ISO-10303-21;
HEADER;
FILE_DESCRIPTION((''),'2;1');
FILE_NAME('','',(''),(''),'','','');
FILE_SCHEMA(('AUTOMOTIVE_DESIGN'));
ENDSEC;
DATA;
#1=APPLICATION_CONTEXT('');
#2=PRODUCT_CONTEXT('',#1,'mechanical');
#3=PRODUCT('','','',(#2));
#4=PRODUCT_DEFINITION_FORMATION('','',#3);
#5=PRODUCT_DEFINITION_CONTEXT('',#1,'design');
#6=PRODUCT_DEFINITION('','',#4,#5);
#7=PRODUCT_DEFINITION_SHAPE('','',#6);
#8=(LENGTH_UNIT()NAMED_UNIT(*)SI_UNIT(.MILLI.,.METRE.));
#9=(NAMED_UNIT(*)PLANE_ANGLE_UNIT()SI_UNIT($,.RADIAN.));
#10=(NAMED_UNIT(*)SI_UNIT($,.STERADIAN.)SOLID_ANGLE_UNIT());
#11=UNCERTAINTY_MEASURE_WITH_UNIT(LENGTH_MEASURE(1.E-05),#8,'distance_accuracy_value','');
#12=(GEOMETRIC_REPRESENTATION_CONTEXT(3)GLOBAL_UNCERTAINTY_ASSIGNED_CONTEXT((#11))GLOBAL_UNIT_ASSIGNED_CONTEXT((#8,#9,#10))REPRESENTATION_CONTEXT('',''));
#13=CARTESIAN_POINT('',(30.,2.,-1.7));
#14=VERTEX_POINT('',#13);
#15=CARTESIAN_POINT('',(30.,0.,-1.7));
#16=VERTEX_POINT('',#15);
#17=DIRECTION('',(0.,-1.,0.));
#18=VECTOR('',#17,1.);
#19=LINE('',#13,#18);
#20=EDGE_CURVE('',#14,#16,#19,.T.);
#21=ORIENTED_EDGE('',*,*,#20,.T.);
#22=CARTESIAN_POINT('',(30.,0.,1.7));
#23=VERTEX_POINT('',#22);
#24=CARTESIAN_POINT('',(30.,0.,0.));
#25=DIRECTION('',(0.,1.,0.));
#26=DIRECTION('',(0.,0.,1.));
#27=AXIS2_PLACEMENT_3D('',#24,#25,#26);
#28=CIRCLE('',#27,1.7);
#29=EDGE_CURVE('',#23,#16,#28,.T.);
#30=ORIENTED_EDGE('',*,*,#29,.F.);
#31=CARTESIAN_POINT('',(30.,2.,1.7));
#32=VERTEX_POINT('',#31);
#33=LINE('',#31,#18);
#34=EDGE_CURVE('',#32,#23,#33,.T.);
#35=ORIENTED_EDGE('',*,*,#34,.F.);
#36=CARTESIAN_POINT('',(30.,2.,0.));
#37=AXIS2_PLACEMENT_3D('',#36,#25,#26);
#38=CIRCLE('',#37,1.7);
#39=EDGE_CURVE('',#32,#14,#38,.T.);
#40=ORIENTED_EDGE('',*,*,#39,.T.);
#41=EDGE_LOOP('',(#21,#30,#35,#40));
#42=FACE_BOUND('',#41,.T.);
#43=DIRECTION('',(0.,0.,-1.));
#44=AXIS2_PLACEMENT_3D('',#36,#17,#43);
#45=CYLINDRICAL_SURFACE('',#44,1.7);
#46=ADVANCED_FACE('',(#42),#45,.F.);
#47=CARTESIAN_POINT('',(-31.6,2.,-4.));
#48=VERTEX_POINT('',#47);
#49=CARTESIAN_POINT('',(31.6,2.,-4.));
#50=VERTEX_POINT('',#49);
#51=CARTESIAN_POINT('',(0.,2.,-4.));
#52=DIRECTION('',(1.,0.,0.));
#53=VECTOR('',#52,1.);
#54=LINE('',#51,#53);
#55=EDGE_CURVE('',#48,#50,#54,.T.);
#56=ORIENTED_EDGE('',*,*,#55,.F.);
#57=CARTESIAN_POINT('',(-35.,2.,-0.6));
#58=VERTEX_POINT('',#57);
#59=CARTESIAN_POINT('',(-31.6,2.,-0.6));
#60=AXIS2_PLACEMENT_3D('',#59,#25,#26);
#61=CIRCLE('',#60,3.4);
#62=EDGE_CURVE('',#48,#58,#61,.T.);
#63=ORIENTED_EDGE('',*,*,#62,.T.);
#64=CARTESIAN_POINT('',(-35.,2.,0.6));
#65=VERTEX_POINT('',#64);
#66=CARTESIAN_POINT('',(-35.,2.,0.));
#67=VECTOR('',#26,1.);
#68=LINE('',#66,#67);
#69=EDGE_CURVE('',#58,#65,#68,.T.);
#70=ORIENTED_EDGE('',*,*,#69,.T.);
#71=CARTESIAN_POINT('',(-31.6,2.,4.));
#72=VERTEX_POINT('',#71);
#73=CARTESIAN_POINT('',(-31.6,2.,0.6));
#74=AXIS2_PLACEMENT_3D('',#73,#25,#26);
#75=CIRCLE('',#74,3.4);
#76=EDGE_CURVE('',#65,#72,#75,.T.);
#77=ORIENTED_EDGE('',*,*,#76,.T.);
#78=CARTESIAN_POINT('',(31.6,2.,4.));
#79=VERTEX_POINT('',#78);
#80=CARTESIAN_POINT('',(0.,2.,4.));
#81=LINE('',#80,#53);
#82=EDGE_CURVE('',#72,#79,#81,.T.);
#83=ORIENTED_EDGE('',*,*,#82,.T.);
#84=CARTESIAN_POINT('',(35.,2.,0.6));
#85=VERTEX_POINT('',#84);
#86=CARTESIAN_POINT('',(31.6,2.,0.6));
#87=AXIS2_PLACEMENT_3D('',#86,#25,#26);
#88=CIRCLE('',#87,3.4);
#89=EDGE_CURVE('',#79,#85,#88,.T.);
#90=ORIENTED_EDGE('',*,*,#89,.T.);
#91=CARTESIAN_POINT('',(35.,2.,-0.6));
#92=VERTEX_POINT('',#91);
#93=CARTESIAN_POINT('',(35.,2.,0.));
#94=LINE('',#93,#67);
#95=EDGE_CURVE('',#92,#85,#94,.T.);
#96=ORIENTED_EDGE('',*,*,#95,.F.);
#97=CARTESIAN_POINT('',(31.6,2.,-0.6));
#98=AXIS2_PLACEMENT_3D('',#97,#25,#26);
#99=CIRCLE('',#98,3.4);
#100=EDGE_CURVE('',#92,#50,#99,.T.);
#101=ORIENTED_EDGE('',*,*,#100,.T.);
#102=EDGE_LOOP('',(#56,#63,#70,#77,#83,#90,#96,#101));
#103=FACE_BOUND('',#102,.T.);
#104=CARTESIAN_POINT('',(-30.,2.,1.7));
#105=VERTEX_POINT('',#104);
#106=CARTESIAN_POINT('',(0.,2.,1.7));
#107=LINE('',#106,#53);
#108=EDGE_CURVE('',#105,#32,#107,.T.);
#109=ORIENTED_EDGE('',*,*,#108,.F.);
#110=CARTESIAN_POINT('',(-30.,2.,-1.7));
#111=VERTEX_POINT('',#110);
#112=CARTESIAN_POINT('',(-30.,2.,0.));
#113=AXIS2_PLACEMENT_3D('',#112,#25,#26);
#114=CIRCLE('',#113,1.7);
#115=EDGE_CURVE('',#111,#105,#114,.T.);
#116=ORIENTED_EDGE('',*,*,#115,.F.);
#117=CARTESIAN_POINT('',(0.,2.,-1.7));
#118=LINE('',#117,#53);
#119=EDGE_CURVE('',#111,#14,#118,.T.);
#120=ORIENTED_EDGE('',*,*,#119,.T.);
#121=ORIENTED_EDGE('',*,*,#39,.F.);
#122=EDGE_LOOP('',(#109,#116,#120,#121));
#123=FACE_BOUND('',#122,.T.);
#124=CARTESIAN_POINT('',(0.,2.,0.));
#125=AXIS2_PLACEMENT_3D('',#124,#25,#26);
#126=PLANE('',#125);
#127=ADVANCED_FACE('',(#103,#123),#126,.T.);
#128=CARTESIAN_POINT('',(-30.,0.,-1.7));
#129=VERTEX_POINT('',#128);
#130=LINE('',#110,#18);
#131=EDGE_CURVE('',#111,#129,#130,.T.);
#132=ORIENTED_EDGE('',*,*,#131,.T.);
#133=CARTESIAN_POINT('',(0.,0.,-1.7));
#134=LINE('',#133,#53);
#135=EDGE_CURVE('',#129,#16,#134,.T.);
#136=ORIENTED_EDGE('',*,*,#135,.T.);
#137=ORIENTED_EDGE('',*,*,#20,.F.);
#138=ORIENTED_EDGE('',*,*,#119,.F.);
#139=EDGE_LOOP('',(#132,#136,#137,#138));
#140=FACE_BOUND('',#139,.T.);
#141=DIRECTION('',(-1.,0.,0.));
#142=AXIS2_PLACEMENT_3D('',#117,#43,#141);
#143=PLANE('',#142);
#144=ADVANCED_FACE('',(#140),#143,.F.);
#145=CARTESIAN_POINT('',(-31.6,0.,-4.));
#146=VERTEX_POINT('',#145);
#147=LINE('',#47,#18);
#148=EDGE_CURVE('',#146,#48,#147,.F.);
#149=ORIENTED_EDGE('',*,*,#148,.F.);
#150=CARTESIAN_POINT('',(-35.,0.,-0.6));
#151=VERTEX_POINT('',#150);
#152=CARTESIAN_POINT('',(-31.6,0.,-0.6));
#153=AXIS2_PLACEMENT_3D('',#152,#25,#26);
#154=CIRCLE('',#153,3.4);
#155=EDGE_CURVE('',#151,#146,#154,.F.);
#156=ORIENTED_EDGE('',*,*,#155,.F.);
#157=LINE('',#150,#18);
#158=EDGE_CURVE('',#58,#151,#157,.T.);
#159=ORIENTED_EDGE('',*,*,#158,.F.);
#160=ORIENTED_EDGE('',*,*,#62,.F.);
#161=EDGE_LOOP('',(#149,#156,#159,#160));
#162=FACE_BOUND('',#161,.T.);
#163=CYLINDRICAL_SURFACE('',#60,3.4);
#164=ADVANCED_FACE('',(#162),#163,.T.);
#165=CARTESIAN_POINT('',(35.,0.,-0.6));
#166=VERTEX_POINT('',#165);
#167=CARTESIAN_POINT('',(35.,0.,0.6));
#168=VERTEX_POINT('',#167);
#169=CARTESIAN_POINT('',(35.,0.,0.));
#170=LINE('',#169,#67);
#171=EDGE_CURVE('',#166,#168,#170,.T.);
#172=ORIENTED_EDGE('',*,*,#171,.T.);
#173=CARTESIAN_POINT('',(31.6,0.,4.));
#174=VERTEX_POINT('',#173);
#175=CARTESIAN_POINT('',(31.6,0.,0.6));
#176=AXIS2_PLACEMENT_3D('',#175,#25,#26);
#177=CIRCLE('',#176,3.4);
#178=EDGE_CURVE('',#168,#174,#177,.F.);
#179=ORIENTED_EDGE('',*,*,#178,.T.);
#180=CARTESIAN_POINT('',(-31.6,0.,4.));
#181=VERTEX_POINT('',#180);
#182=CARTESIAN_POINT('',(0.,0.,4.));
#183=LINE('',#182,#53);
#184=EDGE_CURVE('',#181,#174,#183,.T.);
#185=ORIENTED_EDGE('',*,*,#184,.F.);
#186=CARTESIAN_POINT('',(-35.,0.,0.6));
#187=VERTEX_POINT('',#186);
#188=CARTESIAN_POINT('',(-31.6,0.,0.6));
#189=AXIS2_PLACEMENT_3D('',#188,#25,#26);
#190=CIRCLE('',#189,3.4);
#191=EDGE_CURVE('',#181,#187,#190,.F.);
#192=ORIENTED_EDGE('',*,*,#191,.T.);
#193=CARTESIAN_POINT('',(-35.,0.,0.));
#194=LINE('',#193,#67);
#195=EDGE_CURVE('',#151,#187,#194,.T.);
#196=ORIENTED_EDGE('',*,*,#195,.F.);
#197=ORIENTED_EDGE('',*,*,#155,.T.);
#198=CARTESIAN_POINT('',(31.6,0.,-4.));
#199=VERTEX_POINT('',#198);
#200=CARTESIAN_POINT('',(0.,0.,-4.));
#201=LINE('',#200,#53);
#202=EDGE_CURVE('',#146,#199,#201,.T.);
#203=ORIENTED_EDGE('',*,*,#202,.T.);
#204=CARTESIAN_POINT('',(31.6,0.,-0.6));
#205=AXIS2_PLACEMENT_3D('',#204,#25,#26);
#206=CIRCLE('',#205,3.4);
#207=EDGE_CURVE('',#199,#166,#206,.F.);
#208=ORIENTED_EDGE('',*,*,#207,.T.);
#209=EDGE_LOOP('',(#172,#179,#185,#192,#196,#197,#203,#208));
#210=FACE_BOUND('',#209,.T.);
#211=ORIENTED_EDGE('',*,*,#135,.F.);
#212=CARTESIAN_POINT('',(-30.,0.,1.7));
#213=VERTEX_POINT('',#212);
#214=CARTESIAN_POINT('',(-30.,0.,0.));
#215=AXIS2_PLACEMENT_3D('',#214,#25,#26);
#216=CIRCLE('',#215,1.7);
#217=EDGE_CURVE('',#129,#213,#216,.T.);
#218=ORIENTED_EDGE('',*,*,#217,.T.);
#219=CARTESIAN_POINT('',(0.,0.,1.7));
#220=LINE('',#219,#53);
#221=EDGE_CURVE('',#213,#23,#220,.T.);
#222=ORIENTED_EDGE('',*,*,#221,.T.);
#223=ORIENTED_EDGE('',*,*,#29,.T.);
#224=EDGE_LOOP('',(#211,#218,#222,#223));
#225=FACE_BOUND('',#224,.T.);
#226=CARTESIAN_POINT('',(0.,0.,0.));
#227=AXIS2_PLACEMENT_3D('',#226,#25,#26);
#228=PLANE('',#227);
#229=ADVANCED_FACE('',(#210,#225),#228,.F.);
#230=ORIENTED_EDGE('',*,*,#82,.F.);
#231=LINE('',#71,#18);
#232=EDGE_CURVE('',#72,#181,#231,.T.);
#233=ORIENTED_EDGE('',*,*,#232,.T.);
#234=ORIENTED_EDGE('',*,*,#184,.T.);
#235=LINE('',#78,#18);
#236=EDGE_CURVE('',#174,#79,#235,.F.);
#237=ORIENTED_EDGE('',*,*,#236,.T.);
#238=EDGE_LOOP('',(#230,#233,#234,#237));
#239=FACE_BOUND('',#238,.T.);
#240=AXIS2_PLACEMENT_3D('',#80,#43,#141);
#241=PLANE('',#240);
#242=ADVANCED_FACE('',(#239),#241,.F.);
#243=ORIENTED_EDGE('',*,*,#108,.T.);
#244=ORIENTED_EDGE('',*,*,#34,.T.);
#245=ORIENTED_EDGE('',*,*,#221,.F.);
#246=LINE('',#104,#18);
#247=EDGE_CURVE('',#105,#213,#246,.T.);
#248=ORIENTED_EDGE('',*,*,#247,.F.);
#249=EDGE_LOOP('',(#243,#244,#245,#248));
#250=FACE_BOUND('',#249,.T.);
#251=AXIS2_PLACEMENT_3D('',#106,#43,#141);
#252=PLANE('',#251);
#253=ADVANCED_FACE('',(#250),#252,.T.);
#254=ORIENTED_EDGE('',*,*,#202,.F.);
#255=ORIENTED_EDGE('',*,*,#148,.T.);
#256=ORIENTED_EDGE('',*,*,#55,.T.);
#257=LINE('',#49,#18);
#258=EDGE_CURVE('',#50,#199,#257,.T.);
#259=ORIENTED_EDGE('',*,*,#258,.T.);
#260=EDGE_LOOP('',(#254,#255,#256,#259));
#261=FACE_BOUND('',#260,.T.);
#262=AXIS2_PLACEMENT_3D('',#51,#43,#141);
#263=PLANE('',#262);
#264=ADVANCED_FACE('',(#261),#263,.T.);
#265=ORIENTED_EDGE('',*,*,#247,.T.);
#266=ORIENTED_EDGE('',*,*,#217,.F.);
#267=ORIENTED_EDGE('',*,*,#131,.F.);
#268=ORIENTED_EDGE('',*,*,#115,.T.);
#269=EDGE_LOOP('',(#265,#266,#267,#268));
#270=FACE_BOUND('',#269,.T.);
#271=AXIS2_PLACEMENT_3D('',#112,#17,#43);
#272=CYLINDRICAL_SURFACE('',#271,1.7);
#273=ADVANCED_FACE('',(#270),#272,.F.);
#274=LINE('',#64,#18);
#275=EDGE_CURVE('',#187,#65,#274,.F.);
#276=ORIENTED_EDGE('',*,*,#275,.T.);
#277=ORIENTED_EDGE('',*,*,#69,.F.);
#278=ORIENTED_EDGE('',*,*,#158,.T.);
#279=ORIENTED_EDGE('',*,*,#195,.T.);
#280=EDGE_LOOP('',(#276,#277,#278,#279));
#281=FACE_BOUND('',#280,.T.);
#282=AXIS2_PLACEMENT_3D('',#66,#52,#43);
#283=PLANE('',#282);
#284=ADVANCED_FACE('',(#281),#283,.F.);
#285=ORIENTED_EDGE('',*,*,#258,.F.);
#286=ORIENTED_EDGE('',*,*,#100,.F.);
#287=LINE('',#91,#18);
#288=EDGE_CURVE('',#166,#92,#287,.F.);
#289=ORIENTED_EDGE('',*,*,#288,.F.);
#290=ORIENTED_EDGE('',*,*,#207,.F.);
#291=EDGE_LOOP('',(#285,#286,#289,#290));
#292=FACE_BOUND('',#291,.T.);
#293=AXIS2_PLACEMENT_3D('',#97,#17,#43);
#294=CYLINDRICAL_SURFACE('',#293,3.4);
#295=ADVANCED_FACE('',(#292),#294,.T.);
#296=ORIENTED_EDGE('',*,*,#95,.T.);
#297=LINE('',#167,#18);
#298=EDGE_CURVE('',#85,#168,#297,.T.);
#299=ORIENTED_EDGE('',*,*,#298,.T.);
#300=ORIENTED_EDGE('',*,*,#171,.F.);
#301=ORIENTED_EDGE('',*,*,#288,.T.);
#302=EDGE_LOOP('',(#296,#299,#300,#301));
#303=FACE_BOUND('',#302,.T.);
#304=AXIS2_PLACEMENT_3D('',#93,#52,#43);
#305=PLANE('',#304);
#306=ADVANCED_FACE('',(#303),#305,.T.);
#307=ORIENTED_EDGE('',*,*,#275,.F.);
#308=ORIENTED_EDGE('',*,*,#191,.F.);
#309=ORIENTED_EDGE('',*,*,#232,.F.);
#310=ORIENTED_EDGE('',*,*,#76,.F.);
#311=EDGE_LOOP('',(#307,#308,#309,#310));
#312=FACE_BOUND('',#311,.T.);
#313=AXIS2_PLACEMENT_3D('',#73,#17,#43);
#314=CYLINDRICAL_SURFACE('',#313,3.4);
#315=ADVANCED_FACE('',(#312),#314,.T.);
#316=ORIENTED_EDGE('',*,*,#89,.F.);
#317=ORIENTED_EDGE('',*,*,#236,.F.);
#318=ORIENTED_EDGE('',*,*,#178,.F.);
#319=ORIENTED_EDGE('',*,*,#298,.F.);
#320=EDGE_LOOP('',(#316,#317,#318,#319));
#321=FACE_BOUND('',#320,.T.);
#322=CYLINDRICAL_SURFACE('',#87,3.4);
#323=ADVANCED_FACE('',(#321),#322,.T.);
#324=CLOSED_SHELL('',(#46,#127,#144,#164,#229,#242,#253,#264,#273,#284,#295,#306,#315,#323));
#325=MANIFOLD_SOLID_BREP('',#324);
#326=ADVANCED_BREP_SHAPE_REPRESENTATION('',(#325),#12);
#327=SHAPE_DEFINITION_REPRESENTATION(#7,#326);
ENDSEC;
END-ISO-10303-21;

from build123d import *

# Parameters (mm, degrees)
SKETCH_1_W      = 70
SKETCH_1_H      = 8
EXTRUDE_1_DEPTH = 2
FILLET_1_R      = 3.4


with BuildPart() as part:
    # 草图1 → 凸台-拉伸1 (new body)
    with BuildSketch(Plane(origin=(0, 0, 0), x_dir=(1, 0, 0), z_dir=(0, 1, 0))):
        Rectangle(SKETCH_1_W, SKETCH_1_H)
        with BuildLine():
            ThreePointArc((-30, -1.7), (-31.7, 0), (-30, 1.7))
            Line((-30, 1.7), (30, 1.7))
            ThreePointArc((30, 1.7), (31.202081528, 1.202081528), (31.7, 0))
            ThreePointArc((31.7, 0), (31.202081528, -1.202081528), (30, -1.7))
            Line((30, -1.7), (-30, -1.7))
        make_face(mode=Mode.SUBTRACT)
    extrude(amount=EXTRUDE_1_DEPTH)

    # 圆角1
    fillet_1_edges = [part.edges().sort_by_distance(p)[0] for p in [
        (35, 1, 4),
        (-35, 1, 4),
        (-35, 1, -4),
        (35, 1, -4),
    ]]
    fillet(fillet_1_edges, radius=FILLET_1_R)


solid = part.part
